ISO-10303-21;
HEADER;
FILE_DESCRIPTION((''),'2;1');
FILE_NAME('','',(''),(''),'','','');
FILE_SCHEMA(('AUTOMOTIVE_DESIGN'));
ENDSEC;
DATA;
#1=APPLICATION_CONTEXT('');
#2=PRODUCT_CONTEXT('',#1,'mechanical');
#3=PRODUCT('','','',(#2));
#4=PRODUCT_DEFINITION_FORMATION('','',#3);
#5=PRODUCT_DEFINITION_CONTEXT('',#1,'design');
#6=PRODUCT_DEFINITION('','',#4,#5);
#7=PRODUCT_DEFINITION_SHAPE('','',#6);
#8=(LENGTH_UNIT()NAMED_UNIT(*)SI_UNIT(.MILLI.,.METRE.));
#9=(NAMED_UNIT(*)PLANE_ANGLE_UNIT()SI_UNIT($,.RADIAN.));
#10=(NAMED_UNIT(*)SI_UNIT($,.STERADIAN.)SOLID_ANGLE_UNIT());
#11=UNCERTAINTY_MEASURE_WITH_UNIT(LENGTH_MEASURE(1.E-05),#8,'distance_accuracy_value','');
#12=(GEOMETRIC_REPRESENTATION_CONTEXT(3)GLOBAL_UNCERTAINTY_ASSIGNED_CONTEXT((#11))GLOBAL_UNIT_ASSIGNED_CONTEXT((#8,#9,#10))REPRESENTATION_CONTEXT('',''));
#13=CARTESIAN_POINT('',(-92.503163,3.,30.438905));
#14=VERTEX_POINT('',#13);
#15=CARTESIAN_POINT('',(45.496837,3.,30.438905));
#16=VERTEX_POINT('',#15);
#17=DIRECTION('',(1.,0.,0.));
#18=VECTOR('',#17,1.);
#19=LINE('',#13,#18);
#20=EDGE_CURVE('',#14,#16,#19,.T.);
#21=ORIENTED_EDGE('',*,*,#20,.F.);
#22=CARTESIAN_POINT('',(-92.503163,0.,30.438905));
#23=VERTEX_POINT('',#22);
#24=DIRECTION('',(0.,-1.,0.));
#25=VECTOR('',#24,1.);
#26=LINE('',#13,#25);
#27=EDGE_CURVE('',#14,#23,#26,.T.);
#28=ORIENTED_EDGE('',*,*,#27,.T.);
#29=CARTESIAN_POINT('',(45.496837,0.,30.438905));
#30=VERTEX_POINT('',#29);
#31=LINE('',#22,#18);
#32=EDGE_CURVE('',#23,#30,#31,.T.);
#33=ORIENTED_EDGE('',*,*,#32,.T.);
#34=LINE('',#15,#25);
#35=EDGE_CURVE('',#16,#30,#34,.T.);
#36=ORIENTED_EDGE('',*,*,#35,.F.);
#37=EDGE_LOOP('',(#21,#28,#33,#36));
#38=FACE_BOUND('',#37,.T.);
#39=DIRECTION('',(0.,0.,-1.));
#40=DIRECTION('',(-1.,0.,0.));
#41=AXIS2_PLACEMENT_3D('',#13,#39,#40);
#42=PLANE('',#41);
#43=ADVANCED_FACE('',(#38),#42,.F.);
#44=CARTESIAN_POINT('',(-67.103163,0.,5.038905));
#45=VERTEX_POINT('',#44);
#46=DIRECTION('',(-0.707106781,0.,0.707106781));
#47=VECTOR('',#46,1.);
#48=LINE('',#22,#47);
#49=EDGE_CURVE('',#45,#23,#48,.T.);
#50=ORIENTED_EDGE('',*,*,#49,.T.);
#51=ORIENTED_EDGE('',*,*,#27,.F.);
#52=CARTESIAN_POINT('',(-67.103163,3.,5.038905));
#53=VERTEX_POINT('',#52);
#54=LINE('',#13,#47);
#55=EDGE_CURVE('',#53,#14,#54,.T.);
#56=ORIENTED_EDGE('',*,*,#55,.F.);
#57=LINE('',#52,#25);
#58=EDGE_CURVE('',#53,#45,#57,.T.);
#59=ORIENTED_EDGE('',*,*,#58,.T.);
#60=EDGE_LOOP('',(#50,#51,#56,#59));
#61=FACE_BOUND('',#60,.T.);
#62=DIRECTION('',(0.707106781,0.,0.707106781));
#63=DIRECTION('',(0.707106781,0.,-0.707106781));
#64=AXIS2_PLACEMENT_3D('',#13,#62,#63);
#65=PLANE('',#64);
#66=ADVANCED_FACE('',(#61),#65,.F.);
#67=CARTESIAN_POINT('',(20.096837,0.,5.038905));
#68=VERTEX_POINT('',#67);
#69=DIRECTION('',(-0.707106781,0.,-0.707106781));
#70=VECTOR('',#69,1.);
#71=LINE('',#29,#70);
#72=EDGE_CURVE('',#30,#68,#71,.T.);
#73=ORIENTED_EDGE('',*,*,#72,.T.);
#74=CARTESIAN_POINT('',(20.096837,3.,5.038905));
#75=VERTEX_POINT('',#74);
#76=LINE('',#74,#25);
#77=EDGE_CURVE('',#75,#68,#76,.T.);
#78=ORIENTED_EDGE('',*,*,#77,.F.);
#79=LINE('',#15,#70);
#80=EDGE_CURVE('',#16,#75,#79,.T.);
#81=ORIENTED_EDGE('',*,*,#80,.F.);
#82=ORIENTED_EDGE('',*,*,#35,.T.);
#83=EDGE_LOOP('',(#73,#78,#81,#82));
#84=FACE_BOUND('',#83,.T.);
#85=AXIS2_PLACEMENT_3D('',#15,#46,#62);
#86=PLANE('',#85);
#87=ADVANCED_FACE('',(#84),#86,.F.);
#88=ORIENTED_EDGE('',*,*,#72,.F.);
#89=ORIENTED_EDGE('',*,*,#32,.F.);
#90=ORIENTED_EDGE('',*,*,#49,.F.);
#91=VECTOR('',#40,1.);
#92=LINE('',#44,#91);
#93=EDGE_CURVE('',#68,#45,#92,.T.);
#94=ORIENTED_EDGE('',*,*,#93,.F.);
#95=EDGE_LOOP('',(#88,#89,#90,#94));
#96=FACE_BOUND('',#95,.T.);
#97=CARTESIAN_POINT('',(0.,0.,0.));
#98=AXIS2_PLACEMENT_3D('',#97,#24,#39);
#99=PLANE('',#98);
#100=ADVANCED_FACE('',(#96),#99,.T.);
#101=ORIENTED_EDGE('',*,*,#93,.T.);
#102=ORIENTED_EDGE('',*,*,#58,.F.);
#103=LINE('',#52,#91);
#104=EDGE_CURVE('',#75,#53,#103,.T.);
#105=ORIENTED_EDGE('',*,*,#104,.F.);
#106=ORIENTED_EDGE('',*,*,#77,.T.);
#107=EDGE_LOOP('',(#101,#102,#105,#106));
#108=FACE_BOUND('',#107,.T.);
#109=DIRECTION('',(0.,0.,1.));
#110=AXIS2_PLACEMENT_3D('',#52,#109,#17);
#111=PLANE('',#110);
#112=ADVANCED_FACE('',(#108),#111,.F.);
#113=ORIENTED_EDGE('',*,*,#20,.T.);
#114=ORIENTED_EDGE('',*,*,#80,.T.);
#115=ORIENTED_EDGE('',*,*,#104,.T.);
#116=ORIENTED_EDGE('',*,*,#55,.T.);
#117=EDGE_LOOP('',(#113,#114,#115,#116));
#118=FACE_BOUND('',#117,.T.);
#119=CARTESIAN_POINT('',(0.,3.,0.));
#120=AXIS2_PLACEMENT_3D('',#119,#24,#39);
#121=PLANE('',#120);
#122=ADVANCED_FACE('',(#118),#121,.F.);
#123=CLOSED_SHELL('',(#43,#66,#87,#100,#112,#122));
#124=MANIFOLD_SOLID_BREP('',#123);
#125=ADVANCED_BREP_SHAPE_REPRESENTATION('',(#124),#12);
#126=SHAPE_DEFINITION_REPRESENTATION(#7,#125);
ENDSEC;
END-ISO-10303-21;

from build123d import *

# Parameters (mm, degrees)
BOSS_EXTRUDE1_DEPTH = 3


with BuildPart() as part:
    # Sketch1 → Boss-Extrude1 (new body)
    with BuildSketch(Plane(origin=(0, 0, 0), x_dir=(1, 0, 0), z_dir=(0, 1, 0))):
        Polygon((-92.503163169, -30.438905326), (-67.103163169, -5.038905326), (20.096836831, -5.038905326), (45.496836831, -30.438905326), align=None)
    extrude(amount=BOSS_EXTRUDE1_DEPTH)


solid = part.part
